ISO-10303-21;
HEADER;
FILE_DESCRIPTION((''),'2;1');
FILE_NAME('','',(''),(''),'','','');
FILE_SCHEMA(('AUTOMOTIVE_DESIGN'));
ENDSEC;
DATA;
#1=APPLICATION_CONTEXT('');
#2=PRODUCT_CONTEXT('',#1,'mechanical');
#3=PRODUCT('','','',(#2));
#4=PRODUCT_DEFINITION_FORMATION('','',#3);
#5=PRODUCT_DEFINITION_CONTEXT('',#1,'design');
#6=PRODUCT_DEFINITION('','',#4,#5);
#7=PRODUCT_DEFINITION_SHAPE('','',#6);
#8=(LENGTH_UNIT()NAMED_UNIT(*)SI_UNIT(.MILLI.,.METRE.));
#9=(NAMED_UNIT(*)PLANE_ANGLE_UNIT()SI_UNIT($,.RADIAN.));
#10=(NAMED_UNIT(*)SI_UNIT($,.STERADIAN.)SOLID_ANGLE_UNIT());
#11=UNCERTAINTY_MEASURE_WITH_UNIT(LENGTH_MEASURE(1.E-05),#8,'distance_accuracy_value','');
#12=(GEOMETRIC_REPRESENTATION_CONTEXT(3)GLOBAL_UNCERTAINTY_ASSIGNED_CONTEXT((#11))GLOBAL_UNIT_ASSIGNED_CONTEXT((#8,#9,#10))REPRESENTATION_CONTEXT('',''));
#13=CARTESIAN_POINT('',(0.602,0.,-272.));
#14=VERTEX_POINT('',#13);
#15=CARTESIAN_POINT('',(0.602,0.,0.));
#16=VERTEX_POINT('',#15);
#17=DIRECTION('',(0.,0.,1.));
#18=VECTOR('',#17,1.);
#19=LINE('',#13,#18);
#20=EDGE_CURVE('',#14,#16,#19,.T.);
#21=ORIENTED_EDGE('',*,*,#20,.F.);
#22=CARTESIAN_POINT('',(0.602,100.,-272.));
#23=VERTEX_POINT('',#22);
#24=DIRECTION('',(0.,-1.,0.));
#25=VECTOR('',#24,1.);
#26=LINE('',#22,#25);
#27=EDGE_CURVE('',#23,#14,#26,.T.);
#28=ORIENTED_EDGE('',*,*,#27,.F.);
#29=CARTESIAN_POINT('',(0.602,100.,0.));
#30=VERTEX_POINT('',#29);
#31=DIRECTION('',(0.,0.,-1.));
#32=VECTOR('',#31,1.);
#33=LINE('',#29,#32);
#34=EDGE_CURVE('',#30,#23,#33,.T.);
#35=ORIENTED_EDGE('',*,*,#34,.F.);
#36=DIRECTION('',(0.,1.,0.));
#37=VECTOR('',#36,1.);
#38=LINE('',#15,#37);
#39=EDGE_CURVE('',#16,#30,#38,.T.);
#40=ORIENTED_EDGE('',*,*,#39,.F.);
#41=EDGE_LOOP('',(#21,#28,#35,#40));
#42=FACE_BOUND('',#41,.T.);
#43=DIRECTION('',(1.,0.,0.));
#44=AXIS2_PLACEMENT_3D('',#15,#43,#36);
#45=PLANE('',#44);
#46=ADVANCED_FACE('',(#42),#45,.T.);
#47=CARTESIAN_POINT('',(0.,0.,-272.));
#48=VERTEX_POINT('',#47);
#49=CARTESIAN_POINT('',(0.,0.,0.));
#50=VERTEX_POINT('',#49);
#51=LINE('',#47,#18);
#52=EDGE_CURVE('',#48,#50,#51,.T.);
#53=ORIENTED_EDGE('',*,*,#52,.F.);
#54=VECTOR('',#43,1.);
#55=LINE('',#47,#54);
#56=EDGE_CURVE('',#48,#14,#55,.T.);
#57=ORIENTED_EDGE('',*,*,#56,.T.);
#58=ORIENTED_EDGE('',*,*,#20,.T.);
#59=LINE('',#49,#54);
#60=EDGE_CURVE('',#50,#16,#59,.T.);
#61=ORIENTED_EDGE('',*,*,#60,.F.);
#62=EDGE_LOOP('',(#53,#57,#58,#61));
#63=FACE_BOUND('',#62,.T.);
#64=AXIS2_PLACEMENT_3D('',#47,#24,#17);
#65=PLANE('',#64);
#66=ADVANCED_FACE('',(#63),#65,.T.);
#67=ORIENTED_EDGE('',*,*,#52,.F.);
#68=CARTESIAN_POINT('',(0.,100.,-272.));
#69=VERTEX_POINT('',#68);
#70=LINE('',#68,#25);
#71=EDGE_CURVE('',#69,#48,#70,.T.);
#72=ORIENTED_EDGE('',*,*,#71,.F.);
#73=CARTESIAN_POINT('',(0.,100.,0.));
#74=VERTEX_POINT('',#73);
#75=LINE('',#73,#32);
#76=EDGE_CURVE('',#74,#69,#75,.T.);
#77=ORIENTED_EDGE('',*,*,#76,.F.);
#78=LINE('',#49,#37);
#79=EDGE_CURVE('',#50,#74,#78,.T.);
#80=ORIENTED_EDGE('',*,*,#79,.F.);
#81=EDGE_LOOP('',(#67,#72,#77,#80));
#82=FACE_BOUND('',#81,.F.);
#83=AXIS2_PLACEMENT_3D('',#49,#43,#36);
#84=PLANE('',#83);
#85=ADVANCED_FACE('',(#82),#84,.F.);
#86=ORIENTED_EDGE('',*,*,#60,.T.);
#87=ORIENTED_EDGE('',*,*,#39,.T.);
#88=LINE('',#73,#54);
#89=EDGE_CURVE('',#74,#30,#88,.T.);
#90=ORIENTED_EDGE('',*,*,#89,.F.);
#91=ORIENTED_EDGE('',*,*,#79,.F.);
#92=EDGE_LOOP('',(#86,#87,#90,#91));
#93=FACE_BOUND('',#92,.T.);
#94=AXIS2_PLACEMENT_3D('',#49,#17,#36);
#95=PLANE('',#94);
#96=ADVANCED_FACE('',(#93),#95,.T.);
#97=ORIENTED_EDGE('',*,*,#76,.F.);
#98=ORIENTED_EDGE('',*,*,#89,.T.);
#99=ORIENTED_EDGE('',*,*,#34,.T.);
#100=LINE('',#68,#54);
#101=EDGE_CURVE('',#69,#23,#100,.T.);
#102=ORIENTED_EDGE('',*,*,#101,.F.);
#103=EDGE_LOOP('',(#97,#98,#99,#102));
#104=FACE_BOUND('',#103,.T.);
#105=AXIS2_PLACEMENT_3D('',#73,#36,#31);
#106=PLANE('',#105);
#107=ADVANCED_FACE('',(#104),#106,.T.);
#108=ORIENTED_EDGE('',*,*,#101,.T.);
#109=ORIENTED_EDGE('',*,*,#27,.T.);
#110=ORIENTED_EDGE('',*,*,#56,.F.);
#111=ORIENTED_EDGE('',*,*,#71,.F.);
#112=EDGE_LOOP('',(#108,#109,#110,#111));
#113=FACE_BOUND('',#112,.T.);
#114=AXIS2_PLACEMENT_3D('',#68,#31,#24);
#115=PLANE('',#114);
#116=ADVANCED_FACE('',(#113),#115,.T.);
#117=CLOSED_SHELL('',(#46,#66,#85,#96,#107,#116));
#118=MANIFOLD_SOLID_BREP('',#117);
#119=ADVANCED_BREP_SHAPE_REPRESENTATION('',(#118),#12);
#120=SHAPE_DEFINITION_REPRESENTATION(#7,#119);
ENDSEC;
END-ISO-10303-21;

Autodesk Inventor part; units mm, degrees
ref_plane "YZ Plane" through (0, 0, 0) normal (1, 0, 0) x (0, 1, 0)
ref_plane "XZ Plane" through (0, 0, 0) normal (0, 1, 0) x (-1, 0, 0)
ref_plane "XY Plane" through (0, 0, 0) normal (0, 0, 1) x (1, 0, 0)
sketch "Sketch1" plane through (0, 0, 0) normal (1, 0, 0) x (0, 1, 0)
  line L0 (0, 0) -> (100, 0)
  line L1 (100, 0) -> (100, -272)
  line L2 (100, -272) -> (0, -272)
  line L3 (0, -272) -> (0, 0)
  dimension "d0" = 100
  dimension "d1" = 272
extrude "Extrusion1" add sketch "Sketch1" along normal blind 0.602
equation "\"BendRadius\" = Thickness"
equation "\"BendReliefWidth\" = Thickness"
equation "\"BendReliefDepth\" = 0.5 * Thickness"
equation "\"CornerReliefSize\" = 4 * Thickness"
equation "\"MinimumRemnant\" = 2 * Thickness"
equation "\"TransitionRadius\" = BendRadius"
equation "\"JacobiRadiusSize\" = BendRadius"
equation "\"GapSize\" = Thickness"
equation "\"Thickness\" = 0.602"
properties part number "project side supporting plate" material "Steel, Galvanized"
